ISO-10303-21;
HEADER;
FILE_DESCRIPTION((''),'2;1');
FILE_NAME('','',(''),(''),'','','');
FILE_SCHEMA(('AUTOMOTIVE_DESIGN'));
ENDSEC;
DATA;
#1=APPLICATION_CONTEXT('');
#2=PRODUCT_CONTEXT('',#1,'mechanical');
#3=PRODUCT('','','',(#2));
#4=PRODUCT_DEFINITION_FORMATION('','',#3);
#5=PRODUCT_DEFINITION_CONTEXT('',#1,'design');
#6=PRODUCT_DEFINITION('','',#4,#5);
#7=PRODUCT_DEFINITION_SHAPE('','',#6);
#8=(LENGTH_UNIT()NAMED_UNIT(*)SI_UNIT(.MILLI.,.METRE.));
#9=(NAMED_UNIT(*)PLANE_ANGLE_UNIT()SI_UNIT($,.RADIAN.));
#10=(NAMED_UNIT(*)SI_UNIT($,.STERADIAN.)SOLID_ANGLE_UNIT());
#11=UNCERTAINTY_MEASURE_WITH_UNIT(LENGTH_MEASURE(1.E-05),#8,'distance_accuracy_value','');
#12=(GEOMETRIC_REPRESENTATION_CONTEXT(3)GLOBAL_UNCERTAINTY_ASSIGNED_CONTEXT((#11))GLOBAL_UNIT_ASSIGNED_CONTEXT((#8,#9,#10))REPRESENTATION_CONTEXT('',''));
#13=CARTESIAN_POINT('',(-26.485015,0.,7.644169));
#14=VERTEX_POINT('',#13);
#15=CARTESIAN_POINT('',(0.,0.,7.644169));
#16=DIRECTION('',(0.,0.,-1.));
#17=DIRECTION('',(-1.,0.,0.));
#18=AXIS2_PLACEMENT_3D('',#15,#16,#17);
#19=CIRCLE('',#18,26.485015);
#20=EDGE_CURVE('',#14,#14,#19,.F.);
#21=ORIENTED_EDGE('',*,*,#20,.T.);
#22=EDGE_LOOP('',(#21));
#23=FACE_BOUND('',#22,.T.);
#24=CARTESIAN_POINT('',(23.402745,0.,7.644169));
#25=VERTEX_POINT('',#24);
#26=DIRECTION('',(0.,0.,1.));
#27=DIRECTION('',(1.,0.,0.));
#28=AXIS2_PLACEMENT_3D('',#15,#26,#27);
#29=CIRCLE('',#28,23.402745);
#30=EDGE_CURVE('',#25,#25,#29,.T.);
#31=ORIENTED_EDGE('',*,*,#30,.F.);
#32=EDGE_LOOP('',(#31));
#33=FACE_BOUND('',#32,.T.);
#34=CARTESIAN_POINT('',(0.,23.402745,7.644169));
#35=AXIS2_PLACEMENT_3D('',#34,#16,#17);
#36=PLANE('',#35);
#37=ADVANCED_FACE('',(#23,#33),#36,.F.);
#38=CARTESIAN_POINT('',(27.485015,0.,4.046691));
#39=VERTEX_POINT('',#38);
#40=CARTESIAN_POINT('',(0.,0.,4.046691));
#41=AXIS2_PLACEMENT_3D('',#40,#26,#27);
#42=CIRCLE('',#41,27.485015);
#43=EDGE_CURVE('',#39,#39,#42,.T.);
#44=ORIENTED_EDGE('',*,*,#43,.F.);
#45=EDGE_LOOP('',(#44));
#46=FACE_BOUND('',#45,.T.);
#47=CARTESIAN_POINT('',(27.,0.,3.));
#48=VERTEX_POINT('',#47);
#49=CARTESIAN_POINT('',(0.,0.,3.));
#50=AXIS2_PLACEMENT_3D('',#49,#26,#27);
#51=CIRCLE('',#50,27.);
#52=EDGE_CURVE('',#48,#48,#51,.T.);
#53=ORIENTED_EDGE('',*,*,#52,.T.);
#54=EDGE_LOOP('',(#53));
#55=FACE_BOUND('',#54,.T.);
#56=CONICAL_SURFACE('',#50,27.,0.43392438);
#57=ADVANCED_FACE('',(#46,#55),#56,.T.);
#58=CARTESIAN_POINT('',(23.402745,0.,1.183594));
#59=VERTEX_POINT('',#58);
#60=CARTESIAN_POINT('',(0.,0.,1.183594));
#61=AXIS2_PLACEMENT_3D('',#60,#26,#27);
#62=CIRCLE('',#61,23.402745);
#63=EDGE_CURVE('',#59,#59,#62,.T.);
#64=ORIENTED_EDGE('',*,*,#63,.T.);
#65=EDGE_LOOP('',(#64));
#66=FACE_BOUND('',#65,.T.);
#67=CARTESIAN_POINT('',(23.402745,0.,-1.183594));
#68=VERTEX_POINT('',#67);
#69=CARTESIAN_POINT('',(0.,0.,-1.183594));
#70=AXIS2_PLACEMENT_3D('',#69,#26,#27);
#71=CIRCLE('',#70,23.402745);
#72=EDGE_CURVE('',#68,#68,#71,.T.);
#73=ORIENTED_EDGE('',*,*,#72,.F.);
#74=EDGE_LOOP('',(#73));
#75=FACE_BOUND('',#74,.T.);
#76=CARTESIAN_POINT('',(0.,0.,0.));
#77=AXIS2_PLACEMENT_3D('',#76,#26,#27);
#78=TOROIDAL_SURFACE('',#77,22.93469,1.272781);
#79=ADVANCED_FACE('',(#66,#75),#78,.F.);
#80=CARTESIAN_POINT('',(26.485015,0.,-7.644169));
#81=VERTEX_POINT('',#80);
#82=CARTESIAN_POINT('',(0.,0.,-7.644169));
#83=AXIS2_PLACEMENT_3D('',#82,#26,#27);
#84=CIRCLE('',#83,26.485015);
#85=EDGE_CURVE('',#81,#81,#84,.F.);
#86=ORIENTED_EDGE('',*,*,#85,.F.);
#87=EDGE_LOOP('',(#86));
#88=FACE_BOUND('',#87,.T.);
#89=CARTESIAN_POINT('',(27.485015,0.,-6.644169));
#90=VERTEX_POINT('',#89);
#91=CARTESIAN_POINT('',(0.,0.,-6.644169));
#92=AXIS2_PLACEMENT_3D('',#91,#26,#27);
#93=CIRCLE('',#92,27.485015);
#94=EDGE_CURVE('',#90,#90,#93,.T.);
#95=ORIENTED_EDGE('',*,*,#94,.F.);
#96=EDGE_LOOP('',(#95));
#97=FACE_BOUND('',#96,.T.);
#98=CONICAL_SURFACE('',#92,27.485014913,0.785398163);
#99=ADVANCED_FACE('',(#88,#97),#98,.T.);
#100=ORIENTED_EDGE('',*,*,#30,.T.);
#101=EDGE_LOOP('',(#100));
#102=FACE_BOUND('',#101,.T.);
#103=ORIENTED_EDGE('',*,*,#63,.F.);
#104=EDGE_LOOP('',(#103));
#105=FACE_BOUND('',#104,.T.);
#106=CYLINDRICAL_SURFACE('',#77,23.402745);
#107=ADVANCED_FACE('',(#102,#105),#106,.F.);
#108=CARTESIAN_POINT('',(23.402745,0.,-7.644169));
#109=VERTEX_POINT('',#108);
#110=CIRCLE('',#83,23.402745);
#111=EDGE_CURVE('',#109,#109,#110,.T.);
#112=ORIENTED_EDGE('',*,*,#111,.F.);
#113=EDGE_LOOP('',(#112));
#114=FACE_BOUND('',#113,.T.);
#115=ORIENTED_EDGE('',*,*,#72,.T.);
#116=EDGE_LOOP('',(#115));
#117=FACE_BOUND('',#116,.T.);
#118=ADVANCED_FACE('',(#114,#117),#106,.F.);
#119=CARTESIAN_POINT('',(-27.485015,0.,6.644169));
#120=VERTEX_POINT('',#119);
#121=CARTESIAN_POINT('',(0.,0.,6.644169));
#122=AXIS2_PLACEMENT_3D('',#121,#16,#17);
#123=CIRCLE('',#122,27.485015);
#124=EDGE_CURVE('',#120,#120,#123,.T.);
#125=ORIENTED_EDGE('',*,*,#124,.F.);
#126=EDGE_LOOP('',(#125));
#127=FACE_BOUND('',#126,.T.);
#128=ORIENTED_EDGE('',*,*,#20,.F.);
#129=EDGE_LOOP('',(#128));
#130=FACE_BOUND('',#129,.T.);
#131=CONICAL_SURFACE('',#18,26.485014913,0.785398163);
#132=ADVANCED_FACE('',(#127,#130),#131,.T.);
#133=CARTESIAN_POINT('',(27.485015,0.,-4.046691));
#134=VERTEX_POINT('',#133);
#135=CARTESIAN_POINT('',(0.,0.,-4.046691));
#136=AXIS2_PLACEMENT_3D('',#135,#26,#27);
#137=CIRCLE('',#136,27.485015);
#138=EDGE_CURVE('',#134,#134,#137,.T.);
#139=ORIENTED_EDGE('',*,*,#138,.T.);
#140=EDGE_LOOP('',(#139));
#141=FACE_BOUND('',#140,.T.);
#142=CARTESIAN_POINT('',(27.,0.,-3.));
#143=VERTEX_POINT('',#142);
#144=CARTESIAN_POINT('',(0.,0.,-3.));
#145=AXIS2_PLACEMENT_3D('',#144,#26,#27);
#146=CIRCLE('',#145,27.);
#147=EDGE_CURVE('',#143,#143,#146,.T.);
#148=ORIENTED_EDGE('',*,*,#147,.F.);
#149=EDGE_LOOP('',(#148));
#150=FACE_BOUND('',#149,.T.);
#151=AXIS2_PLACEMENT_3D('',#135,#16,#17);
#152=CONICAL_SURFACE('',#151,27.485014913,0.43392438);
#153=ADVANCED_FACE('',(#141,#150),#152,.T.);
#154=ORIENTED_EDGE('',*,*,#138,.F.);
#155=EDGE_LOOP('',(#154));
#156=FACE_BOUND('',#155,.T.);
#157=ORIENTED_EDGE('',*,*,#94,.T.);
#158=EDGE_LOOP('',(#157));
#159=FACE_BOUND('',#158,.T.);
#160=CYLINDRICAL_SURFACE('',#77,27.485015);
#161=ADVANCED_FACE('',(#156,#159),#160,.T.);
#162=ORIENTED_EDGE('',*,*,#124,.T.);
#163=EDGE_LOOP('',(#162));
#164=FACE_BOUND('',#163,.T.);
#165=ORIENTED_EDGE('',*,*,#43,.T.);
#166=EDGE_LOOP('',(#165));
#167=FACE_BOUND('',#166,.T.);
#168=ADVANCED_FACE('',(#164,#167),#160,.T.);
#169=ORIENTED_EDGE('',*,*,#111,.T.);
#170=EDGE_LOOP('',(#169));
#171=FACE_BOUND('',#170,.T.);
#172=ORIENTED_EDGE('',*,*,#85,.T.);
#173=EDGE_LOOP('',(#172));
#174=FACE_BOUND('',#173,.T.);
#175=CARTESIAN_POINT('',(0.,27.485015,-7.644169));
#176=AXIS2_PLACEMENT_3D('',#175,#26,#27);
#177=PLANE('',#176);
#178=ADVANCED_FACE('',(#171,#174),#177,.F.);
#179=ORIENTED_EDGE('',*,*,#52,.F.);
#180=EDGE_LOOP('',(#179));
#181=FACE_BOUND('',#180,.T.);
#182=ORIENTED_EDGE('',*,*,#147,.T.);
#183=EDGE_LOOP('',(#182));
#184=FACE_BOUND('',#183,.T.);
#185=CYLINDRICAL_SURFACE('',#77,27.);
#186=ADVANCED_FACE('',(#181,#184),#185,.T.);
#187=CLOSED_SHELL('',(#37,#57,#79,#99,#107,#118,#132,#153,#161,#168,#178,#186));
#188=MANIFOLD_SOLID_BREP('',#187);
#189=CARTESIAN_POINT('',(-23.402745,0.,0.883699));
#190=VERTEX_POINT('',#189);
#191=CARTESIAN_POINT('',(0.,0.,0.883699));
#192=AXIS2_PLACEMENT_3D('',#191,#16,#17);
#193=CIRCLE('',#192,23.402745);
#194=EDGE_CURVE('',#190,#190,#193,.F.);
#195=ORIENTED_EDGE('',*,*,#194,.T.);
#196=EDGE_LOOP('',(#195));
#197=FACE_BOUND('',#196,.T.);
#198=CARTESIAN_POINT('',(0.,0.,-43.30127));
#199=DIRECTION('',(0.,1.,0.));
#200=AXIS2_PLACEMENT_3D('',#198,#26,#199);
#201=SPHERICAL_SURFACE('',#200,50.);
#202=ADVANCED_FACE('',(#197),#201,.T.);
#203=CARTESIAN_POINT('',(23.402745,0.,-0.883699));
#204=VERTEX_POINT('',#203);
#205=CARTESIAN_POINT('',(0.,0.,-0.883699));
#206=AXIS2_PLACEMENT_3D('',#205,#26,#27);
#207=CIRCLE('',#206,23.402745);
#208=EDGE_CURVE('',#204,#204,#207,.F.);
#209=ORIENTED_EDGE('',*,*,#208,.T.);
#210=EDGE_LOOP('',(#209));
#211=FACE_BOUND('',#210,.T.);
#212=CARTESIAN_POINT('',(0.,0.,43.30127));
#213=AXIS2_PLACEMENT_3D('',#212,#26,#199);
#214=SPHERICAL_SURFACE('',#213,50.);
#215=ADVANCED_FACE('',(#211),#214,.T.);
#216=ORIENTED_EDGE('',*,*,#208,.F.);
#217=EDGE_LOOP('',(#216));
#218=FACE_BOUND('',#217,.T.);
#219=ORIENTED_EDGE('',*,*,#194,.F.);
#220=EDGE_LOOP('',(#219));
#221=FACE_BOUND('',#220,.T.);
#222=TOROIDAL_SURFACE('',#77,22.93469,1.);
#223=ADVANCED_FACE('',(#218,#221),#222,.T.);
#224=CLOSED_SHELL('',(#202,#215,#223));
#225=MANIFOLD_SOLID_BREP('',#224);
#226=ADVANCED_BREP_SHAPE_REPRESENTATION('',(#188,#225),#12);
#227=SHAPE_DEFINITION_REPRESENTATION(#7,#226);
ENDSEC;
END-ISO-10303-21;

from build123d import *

# Parameters (mm, degrees)
FILLET1_R     = 1
CHAMFER1_SIZE = 1


with BuildPart() as part:
    # Sketch1 → Revolve3 (revolve)
    with BuildSketch(Plane(origin=(0, 0, 0), x_dir=(0, 0, -1), z_dir=(1, 0, 0))):
        with BuildLine():
            Line((-6.698729811, 0), (6.698729811, 0))
            ThreePointArc((6.698729811, 0), (4.995021125, 12.940952255), (0, 25))
            ThreePointArc((0, 25), (-4.995021125, 12.940952255), (-6.698729811, 0))
        make_face()
    revolve(axis=Axis((0, 0, 86.575961886), (0, 0, -1)))

    # Fillet1
    fillet1_edges = [part.edges().sort_by_distance(p)[0] for p in [
        (0, -25, 0),
    ]]
    fillet(fillet1_edges, radius=FILLET1_R)


with BuildPart() as body_2:
    # Sketch2 → Revolve5 (revolve)
    with BuildSketch(Plane(origin=(0, 0, 0), x_dir=(0, 0, -1), z_dir=(1, 0, 0))):
        with BuildLine():
            Line((-1.183594451, 23.402744778), (-7.644169322, 23.402744778))
            Line((-7.644169322, 23.402744778), (-7.644169322, 27.485014913))
            Line((-7.644169322, 27.485014913), (-4.046690664, 27.485014913))
            Line((-4.046690664, 27.485014913), (-3, 27))
            Line((-3, 27), (3, 27))
            Line((3, 27), (4.046690664, 27.485014913))
            Line((4.046690664, 27.485014913), (7.644169322, 27.485014913))
            Line((7.644169322, 27.485014913), (7.644169322, 23.402744778))
            Line((7.644169322, 23.402744778), (1.183594451, 23.402744778))
            ThreePointArc((1.183594451, 23.402744778), (0, 24.207470779), (-1.183594451, 23.402744778))
        make_face()
    revolve(axis=Axis((0, 0, 0), (0, 0, -1)))

    # Chamfer1
    chamfer1_edges = [body_2.edges().sort_by_distance(p)[0] for p in [
        (0, -27.485014913, 7.644169322),
        (0, -27.485014913, -7.644169322),
    ]]
    chamfer(chamfer1_edges, length=CHAMFER1_SIZE)


solid = Compound([part.part, body_2.part])
